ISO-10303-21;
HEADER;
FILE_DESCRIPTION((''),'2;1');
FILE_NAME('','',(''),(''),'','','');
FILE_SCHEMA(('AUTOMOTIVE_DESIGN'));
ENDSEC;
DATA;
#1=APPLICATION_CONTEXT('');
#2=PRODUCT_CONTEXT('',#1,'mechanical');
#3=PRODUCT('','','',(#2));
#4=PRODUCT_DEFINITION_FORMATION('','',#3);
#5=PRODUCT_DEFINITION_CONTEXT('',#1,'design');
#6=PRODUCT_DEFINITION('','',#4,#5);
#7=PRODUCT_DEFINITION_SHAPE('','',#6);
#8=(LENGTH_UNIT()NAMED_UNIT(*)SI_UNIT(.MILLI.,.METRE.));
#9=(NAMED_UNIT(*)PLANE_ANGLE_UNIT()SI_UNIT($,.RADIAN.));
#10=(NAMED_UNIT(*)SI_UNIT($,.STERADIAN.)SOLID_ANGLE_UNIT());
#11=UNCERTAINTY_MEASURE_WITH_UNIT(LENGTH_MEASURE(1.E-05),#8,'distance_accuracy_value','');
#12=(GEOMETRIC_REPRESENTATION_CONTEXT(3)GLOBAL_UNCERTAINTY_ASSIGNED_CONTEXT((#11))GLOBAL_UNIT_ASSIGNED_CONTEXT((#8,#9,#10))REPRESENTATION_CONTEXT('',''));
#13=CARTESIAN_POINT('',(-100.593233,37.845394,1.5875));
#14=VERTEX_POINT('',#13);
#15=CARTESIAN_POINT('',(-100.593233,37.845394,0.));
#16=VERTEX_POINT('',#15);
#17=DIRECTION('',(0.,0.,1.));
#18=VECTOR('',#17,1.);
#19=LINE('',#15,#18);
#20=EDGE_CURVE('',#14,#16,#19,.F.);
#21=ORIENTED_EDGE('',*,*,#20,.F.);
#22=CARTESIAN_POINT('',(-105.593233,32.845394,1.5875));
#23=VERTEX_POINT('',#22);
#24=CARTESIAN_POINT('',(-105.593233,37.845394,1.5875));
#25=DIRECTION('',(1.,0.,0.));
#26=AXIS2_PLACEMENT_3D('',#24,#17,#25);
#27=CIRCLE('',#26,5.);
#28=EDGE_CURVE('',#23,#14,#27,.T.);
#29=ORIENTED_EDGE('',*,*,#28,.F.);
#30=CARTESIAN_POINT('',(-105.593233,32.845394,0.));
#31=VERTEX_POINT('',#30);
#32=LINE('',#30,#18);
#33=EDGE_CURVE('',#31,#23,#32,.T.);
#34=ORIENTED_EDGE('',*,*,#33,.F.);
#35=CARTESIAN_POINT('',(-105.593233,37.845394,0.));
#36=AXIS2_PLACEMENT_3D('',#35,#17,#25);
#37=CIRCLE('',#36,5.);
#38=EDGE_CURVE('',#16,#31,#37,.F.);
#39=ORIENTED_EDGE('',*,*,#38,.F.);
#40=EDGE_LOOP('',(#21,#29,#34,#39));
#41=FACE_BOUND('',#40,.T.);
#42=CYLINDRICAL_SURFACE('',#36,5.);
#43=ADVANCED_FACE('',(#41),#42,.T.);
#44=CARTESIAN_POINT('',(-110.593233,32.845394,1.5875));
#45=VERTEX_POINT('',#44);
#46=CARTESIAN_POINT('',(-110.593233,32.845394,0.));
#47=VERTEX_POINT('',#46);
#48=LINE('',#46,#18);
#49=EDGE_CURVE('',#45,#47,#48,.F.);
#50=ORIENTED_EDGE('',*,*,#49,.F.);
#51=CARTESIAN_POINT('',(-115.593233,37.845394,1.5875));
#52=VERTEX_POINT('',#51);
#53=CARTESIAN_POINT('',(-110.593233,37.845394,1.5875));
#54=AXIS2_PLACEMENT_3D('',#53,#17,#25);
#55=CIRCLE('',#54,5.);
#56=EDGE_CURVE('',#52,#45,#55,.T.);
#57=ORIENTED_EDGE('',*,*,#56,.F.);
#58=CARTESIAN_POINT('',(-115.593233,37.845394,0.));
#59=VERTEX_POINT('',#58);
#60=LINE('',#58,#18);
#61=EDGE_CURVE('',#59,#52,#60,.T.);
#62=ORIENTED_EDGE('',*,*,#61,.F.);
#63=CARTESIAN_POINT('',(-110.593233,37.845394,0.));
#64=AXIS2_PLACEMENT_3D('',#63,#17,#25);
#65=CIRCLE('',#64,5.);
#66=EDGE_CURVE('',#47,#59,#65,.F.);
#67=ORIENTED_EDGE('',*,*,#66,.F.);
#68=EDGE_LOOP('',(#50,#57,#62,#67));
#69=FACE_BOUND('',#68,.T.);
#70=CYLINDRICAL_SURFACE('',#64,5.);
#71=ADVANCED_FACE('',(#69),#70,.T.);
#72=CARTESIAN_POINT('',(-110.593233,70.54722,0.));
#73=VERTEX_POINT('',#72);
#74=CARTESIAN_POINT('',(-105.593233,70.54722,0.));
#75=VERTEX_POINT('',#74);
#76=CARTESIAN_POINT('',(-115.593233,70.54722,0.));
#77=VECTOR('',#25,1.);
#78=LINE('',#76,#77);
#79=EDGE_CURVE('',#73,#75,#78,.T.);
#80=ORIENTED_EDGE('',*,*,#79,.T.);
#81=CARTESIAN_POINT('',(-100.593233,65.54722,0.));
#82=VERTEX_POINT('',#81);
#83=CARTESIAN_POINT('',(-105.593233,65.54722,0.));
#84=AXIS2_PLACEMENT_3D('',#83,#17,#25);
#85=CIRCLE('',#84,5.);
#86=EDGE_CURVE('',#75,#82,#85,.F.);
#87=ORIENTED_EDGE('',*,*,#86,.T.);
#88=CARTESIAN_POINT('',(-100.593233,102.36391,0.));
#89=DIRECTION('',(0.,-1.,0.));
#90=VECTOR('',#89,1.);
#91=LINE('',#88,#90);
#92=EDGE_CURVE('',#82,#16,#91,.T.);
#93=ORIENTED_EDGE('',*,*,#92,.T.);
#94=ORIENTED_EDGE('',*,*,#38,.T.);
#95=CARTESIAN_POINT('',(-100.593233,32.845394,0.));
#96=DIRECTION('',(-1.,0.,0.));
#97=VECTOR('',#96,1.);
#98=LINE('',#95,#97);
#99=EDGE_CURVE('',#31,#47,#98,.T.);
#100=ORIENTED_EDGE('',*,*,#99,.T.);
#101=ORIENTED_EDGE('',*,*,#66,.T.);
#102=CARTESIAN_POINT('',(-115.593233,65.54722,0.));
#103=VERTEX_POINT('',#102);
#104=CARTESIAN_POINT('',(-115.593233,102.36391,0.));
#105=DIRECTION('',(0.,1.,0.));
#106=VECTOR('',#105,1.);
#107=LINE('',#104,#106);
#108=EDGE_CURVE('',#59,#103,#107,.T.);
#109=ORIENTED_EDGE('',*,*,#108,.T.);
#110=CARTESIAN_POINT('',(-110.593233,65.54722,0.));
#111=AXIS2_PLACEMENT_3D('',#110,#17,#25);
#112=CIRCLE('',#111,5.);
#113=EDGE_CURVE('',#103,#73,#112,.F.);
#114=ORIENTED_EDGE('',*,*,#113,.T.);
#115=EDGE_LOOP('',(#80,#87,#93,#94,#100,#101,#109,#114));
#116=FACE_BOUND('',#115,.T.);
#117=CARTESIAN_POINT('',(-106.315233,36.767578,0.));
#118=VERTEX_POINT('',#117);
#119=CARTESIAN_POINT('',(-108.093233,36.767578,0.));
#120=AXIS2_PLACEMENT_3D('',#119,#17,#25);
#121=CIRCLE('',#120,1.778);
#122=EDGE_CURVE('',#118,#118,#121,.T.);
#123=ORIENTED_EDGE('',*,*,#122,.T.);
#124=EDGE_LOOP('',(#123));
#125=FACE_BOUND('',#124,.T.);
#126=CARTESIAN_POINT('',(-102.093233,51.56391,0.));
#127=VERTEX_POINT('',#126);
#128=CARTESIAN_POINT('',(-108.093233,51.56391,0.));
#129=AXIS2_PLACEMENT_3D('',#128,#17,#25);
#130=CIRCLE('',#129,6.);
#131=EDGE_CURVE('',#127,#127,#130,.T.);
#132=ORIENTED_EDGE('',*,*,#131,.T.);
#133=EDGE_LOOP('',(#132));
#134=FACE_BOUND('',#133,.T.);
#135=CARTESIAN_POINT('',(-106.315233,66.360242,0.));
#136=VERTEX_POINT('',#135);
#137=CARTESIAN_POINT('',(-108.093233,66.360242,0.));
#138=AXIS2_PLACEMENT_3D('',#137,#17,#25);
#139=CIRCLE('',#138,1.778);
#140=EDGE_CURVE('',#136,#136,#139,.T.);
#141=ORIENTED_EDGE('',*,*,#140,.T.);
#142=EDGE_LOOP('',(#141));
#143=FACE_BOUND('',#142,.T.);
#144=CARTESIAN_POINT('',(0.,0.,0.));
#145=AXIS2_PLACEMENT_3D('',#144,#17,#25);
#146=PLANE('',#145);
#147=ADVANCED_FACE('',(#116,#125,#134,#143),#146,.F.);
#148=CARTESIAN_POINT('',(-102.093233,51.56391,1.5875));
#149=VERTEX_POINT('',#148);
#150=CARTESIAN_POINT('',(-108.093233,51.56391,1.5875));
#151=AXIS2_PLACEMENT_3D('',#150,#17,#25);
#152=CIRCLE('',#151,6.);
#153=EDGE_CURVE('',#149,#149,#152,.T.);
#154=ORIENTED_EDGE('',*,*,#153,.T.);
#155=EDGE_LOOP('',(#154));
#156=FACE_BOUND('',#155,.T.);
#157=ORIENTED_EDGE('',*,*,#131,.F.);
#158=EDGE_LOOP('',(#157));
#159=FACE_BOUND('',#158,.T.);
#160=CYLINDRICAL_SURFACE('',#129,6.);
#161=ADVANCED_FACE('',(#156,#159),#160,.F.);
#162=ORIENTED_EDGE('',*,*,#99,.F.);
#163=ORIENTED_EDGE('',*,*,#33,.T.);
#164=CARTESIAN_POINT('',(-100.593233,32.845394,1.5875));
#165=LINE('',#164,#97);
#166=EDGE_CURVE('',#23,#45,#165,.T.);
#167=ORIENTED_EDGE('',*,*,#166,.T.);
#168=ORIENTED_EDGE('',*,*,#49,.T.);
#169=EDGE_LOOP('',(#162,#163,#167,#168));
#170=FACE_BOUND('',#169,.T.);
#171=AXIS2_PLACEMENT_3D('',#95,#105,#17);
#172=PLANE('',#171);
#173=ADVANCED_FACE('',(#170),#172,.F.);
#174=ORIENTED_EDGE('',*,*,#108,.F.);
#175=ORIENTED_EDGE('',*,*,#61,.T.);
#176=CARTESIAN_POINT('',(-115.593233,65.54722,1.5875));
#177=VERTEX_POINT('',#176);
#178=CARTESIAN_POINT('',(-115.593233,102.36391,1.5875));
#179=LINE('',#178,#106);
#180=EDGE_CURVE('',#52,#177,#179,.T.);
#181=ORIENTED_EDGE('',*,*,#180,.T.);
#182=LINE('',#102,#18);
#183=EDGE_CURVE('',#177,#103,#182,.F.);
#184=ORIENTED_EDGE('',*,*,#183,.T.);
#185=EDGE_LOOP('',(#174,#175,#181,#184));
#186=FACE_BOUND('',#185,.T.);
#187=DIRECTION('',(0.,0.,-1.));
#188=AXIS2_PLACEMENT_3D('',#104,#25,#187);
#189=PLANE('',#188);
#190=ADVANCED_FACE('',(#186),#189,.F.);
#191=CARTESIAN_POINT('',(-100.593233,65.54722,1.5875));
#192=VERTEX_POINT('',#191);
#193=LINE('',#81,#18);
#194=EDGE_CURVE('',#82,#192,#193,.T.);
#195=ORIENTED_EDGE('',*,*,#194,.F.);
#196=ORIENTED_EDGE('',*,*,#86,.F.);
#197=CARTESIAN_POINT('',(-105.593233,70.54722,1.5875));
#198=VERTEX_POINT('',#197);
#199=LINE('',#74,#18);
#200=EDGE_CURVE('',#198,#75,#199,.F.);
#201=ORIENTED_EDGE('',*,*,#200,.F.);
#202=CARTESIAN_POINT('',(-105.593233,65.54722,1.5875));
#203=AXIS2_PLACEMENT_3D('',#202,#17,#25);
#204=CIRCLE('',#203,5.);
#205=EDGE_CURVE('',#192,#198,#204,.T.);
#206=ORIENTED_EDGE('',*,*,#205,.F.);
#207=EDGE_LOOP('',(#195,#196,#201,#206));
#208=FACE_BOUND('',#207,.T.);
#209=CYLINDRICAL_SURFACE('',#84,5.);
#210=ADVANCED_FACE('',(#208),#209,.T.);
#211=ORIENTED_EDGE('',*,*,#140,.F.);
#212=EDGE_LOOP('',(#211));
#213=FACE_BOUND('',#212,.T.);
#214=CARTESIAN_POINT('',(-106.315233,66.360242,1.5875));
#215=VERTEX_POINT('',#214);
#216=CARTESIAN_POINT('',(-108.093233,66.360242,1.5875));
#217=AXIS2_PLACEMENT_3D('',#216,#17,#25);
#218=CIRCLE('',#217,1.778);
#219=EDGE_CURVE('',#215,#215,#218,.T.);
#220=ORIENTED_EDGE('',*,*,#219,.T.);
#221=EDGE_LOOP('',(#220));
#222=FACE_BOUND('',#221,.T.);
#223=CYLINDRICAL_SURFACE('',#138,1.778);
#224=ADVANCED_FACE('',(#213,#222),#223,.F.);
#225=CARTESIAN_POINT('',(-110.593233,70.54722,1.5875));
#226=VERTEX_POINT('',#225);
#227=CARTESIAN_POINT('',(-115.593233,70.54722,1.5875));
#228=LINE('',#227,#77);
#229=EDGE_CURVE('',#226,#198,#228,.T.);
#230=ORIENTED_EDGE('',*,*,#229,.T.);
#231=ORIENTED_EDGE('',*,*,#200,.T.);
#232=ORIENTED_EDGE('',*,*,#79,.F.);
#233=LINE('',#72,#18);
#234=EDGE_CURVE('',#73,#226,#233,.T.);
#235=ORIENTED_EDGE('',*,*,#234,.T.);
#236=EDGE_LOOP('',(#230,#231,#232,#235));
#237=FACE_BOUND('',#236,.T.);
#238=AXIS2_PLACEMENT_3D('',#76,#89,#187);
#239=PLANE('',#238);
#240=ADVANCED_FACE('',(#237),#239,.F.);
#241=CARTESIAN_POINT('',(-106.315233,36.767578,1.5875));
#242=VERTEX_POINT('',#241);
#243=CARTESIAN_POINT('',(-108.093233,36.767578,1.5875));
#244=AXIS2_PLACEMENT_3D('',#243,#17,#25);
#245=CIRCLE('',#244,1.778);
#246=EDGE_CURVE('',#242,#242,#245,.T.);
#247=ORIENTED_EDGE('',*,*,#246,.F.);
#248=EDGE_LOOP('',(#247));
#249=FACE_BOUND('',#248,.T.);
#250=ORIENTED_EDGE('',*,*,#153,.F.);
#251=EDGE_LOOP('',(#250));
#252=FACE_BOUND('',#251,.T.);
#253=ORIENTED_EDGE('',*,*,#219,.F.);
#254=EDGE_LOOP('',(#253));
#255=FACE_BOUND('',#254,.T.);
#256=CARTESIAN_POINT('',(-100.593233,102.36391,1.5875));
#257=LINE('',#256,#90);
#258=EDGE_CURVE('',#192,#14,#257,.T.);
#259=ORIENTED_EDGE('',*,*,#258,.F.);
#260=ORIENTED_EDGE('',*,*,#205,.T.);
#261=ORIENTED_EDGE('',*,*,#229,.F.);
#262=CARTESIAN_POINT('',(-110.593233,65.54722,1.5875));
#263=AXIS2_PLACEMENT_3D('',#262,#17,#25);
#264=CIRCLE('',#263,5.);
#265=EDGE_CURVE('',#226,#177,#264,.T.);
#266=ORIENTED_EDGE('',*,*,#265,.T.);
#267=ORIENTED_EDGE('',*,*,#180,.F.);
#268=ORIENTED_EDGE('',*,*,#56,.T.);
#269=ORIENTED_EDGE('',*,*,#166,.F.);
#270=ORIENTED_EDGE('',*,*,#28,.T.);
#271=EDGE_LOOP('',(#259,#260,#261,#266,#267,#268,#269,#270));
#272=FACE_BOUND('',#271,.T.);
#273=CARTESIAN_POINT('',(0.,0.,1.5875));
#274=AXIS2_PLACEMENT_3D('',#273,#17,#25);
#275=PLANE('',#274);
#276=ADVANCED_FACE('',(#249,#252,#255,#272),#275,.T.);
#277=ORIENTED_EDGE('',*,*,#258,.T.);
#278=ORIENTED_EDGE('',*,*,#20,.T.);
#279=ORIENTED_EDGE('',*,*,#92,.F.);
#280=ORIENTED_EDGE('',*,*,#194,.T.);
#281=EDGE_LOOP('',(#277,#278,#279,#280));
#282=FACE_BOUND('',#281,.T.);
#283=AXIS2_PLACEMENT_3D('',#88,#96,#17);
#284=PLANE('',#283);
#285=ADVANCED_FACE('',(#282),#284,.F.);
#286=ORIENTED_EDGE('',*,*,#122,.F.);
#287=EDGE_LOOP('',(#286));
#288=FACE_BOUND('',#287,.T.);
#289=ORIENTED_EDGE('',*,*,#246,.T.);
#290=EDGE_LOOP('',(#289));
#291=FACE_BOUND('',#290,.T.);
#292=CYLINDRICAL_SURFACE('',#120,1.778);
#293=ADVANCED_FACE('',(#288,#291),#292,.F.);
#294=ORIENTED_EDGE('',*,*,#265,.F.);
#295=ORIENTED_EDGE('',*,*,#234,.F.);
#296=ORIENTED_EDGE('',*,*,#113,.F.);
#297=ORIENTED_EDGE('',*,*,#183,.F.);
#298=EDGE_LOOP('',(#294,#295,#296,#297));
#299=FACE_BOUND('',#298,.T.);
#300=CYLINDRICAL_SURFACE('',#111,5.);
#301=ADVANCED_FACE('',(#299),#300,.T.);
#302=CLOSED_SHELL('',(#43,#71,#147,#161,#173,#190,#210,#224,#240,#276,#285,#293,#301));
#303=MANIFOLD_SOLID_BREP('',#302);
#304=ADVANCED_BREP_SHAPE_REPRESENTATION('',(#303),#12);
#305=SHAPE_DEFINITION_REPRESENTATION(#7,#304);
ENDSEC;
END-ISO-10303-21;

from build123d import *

# Parameters (mm, degrees)
SKETCH1_W           = 101.6
SKETCH1_H           = 101.6
BOSS_EXTRUDE1_DEPTH = 1.5875
SKETCH2_R           = 5.999999938
CUT_EXTRUDE1_DEPTH  = 190.018384556
SKETCH4_R           = 1.778
CUT_EXTRUDE2_DEPTH  = 190.018384556
SKETCH5_W           = 43.3
SKETCH5_H           = 101.6
CUT_EXTRUDE4_DEPTH  = 190.018384556
SKETCH10_W          = 15
SKETCH10_H          = 31.816690228
SKETCH10_H_2        = 32.081483739
CUT_EXTRUDE5_DEPTH  = 155.410769427
FILLET1_R           = 5


with BuildPart() as part:
    # Sketch1 → Boss-Extrude1 (new body)
    with BuildSketch(Plane.XY):
        with Locations((-108.093233083, 51.563909774)):
            Rectangle(SKETCH1_W, SKETCH1_H)
    extrude(amount=BOSS_EXTRUDE1_DEPTH)

    # Sketch2 → Cut-Extrude1 (cut, through all)
    with BuildSketch(Plane.XY.offset(1.5875)):
        with Locations((-108.093233083, 51.563909774)):
            Circle(SKETCH2_R)
    extrude(amount=-CUT_EXTRUDE1_DEPTH, mode=Mode.SUBTRACT)

    # Sketch4 → Cut-Extrude2 (cut, through all)
    with BuildSketch(Plane.XY.offset(1.5875)):
        with Locations((-108.093233083, 66.360241624)):
            Circle(SKETCH4_R)
        with Locations((-108.093233083, 36.767577924)):
            Circle(SKETCH4_R)
    extrude(amount=-CUT_EXTRUDE2_DEPTH, mode=Mode.SUBTRACT)

    # Sketch5 → Cut-Extrude4 (cut, through all)
    with BuildSketch(Plane.XY.offset(1.5875)):
        with Locations((-137.243233083, 51.563909774)):
            Rectangle(SKETCH5_W, SKETCH5_H)
        with Locations((-78.943233083, 51.563909774)):
            Rectangle(SKETCH5_W, SKETCH5_H)
    extrude(amount=-CUT_EXTRUDE4_DEPTH, mode=Mode.SUBTRACT)

    # Sketch10 → Cut-Extrude5 (cut, through all)
    with BuildSketch(Plane.XY.offset(1.5875)):
        with Locations((-108.093233083, 86.45556466)):
            Rectangle(SKETCH10_W, SKETCH10_H)
        with Locations((-108.093233083, 16.804651644)):
            Rectangle(SKETCH10_W, SKETCH10_H_2)
    extrude(amount=-CUT_EXTRUDE5_DEPTH, mode=Mode.SUBTRACT)

    # Fillet1
    fillet1_edges = [part.edges().sort_by_distance(p)[0] for p in [
        (-115.593233083, 70.547219546, 0.79375),
        (-100.593233083, 70.547219546, 0.79375),
        (-100.593233083, 32.845393513, 0.79375),
        (-115.593233083, 32.845393513, 0.79375),
    ]]
    fillet(fillet1_edges, radius=FILLET1_R)


solid = part.part
